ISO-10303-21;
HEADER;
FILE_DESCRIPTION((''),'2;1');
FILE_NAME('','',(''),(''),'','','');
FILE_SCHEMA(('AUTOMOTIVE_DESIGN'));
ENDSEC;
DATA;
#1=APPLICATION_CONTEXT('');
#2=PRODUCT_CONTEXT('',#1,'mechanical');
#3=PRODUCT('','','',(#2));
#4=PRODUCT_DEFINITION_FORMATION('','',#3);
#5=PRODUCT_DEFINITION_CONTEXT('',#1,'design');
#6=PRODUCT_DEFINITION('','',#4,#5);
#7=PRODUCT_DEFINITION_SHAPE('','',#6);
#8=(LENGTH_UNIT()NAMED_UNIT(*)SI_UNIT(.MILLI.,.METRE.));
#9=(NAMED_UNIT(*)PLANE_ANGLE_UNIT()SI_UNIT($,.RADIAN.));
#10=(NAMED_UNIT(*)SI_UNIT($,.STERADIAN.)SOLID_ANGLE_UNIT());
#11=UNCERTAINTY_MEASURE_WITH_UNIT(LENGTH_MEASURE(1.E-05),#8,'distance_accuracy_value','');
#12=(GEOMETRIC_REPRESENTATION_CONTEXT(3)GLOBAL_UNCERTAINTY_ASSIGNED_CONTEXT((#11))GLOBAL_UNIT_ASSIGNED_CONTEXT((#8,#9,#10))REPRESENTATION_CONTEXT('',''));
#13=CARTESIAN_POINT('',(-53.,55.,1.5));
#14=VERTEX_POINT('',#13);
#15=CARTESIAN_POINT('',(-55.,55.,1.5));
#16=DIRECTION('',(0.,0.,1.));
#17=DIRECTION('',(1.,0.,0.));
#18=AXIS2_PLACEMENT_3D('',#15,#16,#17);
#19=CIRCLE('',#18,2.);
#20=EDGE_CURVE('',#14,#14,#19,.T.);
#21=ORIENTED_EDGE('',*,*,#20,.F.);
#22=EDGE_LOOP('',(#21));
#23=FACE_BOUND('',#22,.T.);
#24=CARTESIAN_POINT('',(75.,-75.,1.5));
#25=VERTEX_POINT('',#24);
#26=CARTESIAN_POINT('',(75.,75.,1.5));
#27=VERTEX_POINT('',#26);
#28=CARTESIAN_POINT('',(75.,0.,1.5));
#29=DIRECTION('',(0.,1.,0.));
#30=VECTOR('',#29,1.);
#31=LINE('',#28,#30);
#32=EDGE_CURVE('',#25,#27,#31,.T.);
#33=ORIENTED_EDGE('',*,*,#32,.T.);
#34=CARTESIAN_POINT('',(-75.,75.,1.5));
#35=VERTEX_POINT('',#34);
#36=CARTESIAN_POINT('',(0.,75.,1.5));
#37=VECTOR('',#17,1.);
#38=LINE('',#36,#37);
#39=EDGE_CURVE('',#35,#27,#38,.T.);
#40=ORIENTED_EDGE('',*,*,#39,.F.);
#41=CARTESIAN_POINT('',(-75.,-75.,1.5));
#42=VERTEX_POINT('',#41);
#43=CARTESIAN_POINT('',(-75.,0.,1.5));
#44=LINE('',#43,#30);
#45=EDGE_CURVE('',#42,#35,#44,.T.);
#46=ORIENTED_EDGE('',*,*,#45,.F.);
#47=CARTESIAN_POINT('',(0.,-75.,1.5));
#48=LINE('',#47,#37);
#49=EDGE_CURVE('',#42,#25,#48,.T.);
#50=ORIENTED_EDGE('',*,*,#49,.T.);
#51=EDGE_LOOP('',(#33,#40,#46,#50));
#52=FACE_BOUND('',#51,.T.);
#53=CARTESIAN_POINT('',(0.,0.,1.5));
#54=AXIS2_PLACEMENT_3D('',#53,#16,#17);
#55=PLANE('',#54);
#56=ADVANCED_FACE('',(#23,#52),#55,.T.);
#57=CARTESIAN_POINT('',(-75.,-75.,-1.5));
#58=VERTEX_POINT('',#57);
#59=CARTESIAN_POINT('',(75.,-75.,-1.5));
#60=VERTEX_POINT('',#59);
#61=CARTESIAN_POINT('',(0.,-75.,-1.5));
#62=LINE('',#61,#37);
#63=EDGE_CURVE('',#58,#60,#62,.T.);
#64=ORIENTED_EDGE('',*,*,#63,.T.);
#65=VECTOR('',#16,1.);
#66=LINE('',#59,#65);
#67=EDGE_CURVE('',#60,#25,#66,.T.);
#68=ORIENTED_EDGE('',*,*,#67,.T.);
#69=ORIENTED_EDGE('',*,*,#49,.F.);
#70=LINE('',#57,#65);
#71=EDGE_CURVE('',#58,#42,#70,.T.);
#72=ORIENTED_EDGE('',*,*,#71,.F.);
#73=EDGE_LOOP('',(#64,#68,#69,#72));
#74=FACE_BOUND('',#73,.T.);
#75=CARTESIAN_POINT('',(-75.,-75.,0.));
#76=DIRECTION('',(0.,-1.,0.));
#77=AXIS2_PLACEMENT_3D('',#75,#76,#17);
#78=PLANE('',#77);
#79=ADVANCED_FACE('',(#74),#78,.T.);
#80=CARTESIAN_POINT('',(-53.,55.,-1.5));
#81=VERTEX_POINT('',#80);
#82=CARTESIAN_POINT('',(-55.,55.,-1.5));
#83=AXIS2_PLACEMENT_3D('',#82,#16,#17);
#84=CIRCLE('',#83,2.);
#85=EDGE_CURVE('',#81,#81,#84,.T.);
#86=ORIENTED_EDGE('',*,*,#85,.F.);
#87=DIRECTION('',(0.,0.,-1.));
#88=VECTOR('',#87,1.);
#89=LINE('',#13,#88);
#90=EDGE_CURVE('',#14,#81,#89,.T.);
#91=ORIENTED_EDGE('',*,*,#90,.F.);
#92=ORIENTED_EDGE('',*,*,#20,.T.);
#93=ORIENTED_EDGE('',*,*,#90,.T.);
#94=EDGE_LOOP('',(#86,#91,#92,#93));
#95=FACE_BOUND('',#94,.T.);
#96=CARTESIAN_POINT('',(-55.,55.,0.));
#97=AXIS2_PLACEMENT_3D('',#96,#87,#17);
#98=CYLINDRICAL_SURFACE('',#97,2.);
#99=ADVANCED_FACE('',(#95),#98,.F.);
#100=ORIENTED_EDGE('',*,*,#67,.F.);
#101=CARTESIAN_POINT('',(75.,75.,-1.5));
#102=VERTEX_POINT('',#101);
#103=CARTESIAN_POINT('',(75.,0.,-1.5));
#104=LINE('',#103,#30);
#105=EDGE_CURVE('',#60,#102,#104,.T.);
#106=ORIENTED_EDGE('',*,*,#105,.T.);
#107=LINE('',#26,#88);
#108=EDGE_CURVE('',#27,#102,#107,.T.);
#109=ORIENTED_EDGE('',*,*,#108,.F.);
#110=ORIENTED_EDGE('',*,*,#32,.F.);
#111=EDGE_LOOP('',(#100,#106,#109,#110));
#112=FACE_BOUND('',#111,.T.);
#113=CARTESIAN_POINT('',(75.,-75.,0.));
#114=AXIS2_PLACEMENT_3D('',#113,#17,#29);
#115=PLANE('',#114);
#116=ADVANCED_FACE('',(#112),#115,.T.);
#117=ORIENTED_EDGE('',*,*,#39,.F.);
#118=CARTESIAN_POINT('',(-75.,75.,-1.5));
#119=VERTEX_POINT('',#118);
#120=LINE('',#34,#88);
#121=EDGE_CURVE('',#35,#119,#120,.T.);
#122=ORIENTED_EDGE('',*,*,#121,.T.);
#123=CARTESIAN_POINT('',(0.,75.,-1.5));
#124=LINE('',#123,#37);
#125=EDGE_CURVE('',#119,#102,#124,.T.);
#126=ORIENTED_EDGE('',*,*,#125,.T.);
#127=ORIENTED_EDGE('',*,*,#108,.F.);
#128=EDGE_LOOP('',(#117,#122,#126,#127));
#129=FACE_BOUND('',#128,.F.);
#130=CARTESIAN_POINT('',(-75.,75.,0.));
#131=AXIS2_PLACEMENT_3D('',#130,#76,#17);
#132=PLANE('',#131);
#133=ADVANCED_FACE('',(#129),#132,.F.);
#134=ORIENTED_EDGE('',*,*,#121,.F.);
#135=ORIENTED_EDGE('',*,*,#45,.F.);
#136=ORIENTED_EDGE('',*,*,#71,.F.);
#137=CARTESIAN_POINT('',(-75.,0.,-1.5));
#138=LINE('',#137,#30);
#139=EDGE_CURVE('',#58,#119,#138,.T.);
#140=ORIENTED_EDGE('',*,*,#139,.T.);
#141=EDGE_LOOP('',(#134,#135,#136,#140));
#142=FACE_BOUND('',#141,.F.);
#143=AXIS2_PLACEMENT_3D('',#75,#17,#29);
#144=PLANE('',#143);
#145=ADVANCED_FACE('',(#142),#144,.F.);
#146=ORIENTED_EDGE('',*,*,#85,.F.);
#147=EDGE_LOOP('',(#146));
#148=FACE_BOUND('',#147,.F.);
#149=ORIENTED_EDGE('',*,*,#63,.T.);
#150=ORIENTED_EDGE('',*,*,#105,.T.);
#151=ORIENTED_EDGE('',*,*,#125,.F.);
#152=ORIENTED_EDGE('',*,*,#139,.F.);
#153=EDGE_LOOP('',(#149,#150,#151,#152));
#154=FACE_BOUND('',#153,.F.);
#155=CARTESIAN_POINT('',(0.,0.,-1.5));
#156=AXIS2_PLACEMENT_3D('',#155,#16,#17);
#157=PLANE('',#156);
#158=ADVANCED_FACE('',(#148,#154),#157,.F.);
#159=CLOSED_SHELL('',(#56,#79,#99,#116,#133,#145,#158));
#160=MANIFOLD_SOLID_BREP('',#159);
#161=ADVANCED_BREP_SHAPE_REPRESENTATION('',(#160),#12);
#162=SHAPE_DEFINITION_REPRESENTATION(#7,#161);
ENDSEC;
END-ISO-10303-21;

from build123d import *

# Parameters (mm, degrees)
F0_W     = 150
F0_H     = 150
F0_R     = 2
F1_DEPTH = 1.5


with BuildPart() as f1:
    # F0 (on Top) → F1 (new body, symmetric)
    with BuildSketch(Plane.XY):
        Rectangle(F0_W, F0_H)
        with Locations((-55, 55)):
            Circle(F0_R, mode=Mode.SUBTRACT)
    extrude(amount=F1_DEPTH, both=True)


solid = f1.part
